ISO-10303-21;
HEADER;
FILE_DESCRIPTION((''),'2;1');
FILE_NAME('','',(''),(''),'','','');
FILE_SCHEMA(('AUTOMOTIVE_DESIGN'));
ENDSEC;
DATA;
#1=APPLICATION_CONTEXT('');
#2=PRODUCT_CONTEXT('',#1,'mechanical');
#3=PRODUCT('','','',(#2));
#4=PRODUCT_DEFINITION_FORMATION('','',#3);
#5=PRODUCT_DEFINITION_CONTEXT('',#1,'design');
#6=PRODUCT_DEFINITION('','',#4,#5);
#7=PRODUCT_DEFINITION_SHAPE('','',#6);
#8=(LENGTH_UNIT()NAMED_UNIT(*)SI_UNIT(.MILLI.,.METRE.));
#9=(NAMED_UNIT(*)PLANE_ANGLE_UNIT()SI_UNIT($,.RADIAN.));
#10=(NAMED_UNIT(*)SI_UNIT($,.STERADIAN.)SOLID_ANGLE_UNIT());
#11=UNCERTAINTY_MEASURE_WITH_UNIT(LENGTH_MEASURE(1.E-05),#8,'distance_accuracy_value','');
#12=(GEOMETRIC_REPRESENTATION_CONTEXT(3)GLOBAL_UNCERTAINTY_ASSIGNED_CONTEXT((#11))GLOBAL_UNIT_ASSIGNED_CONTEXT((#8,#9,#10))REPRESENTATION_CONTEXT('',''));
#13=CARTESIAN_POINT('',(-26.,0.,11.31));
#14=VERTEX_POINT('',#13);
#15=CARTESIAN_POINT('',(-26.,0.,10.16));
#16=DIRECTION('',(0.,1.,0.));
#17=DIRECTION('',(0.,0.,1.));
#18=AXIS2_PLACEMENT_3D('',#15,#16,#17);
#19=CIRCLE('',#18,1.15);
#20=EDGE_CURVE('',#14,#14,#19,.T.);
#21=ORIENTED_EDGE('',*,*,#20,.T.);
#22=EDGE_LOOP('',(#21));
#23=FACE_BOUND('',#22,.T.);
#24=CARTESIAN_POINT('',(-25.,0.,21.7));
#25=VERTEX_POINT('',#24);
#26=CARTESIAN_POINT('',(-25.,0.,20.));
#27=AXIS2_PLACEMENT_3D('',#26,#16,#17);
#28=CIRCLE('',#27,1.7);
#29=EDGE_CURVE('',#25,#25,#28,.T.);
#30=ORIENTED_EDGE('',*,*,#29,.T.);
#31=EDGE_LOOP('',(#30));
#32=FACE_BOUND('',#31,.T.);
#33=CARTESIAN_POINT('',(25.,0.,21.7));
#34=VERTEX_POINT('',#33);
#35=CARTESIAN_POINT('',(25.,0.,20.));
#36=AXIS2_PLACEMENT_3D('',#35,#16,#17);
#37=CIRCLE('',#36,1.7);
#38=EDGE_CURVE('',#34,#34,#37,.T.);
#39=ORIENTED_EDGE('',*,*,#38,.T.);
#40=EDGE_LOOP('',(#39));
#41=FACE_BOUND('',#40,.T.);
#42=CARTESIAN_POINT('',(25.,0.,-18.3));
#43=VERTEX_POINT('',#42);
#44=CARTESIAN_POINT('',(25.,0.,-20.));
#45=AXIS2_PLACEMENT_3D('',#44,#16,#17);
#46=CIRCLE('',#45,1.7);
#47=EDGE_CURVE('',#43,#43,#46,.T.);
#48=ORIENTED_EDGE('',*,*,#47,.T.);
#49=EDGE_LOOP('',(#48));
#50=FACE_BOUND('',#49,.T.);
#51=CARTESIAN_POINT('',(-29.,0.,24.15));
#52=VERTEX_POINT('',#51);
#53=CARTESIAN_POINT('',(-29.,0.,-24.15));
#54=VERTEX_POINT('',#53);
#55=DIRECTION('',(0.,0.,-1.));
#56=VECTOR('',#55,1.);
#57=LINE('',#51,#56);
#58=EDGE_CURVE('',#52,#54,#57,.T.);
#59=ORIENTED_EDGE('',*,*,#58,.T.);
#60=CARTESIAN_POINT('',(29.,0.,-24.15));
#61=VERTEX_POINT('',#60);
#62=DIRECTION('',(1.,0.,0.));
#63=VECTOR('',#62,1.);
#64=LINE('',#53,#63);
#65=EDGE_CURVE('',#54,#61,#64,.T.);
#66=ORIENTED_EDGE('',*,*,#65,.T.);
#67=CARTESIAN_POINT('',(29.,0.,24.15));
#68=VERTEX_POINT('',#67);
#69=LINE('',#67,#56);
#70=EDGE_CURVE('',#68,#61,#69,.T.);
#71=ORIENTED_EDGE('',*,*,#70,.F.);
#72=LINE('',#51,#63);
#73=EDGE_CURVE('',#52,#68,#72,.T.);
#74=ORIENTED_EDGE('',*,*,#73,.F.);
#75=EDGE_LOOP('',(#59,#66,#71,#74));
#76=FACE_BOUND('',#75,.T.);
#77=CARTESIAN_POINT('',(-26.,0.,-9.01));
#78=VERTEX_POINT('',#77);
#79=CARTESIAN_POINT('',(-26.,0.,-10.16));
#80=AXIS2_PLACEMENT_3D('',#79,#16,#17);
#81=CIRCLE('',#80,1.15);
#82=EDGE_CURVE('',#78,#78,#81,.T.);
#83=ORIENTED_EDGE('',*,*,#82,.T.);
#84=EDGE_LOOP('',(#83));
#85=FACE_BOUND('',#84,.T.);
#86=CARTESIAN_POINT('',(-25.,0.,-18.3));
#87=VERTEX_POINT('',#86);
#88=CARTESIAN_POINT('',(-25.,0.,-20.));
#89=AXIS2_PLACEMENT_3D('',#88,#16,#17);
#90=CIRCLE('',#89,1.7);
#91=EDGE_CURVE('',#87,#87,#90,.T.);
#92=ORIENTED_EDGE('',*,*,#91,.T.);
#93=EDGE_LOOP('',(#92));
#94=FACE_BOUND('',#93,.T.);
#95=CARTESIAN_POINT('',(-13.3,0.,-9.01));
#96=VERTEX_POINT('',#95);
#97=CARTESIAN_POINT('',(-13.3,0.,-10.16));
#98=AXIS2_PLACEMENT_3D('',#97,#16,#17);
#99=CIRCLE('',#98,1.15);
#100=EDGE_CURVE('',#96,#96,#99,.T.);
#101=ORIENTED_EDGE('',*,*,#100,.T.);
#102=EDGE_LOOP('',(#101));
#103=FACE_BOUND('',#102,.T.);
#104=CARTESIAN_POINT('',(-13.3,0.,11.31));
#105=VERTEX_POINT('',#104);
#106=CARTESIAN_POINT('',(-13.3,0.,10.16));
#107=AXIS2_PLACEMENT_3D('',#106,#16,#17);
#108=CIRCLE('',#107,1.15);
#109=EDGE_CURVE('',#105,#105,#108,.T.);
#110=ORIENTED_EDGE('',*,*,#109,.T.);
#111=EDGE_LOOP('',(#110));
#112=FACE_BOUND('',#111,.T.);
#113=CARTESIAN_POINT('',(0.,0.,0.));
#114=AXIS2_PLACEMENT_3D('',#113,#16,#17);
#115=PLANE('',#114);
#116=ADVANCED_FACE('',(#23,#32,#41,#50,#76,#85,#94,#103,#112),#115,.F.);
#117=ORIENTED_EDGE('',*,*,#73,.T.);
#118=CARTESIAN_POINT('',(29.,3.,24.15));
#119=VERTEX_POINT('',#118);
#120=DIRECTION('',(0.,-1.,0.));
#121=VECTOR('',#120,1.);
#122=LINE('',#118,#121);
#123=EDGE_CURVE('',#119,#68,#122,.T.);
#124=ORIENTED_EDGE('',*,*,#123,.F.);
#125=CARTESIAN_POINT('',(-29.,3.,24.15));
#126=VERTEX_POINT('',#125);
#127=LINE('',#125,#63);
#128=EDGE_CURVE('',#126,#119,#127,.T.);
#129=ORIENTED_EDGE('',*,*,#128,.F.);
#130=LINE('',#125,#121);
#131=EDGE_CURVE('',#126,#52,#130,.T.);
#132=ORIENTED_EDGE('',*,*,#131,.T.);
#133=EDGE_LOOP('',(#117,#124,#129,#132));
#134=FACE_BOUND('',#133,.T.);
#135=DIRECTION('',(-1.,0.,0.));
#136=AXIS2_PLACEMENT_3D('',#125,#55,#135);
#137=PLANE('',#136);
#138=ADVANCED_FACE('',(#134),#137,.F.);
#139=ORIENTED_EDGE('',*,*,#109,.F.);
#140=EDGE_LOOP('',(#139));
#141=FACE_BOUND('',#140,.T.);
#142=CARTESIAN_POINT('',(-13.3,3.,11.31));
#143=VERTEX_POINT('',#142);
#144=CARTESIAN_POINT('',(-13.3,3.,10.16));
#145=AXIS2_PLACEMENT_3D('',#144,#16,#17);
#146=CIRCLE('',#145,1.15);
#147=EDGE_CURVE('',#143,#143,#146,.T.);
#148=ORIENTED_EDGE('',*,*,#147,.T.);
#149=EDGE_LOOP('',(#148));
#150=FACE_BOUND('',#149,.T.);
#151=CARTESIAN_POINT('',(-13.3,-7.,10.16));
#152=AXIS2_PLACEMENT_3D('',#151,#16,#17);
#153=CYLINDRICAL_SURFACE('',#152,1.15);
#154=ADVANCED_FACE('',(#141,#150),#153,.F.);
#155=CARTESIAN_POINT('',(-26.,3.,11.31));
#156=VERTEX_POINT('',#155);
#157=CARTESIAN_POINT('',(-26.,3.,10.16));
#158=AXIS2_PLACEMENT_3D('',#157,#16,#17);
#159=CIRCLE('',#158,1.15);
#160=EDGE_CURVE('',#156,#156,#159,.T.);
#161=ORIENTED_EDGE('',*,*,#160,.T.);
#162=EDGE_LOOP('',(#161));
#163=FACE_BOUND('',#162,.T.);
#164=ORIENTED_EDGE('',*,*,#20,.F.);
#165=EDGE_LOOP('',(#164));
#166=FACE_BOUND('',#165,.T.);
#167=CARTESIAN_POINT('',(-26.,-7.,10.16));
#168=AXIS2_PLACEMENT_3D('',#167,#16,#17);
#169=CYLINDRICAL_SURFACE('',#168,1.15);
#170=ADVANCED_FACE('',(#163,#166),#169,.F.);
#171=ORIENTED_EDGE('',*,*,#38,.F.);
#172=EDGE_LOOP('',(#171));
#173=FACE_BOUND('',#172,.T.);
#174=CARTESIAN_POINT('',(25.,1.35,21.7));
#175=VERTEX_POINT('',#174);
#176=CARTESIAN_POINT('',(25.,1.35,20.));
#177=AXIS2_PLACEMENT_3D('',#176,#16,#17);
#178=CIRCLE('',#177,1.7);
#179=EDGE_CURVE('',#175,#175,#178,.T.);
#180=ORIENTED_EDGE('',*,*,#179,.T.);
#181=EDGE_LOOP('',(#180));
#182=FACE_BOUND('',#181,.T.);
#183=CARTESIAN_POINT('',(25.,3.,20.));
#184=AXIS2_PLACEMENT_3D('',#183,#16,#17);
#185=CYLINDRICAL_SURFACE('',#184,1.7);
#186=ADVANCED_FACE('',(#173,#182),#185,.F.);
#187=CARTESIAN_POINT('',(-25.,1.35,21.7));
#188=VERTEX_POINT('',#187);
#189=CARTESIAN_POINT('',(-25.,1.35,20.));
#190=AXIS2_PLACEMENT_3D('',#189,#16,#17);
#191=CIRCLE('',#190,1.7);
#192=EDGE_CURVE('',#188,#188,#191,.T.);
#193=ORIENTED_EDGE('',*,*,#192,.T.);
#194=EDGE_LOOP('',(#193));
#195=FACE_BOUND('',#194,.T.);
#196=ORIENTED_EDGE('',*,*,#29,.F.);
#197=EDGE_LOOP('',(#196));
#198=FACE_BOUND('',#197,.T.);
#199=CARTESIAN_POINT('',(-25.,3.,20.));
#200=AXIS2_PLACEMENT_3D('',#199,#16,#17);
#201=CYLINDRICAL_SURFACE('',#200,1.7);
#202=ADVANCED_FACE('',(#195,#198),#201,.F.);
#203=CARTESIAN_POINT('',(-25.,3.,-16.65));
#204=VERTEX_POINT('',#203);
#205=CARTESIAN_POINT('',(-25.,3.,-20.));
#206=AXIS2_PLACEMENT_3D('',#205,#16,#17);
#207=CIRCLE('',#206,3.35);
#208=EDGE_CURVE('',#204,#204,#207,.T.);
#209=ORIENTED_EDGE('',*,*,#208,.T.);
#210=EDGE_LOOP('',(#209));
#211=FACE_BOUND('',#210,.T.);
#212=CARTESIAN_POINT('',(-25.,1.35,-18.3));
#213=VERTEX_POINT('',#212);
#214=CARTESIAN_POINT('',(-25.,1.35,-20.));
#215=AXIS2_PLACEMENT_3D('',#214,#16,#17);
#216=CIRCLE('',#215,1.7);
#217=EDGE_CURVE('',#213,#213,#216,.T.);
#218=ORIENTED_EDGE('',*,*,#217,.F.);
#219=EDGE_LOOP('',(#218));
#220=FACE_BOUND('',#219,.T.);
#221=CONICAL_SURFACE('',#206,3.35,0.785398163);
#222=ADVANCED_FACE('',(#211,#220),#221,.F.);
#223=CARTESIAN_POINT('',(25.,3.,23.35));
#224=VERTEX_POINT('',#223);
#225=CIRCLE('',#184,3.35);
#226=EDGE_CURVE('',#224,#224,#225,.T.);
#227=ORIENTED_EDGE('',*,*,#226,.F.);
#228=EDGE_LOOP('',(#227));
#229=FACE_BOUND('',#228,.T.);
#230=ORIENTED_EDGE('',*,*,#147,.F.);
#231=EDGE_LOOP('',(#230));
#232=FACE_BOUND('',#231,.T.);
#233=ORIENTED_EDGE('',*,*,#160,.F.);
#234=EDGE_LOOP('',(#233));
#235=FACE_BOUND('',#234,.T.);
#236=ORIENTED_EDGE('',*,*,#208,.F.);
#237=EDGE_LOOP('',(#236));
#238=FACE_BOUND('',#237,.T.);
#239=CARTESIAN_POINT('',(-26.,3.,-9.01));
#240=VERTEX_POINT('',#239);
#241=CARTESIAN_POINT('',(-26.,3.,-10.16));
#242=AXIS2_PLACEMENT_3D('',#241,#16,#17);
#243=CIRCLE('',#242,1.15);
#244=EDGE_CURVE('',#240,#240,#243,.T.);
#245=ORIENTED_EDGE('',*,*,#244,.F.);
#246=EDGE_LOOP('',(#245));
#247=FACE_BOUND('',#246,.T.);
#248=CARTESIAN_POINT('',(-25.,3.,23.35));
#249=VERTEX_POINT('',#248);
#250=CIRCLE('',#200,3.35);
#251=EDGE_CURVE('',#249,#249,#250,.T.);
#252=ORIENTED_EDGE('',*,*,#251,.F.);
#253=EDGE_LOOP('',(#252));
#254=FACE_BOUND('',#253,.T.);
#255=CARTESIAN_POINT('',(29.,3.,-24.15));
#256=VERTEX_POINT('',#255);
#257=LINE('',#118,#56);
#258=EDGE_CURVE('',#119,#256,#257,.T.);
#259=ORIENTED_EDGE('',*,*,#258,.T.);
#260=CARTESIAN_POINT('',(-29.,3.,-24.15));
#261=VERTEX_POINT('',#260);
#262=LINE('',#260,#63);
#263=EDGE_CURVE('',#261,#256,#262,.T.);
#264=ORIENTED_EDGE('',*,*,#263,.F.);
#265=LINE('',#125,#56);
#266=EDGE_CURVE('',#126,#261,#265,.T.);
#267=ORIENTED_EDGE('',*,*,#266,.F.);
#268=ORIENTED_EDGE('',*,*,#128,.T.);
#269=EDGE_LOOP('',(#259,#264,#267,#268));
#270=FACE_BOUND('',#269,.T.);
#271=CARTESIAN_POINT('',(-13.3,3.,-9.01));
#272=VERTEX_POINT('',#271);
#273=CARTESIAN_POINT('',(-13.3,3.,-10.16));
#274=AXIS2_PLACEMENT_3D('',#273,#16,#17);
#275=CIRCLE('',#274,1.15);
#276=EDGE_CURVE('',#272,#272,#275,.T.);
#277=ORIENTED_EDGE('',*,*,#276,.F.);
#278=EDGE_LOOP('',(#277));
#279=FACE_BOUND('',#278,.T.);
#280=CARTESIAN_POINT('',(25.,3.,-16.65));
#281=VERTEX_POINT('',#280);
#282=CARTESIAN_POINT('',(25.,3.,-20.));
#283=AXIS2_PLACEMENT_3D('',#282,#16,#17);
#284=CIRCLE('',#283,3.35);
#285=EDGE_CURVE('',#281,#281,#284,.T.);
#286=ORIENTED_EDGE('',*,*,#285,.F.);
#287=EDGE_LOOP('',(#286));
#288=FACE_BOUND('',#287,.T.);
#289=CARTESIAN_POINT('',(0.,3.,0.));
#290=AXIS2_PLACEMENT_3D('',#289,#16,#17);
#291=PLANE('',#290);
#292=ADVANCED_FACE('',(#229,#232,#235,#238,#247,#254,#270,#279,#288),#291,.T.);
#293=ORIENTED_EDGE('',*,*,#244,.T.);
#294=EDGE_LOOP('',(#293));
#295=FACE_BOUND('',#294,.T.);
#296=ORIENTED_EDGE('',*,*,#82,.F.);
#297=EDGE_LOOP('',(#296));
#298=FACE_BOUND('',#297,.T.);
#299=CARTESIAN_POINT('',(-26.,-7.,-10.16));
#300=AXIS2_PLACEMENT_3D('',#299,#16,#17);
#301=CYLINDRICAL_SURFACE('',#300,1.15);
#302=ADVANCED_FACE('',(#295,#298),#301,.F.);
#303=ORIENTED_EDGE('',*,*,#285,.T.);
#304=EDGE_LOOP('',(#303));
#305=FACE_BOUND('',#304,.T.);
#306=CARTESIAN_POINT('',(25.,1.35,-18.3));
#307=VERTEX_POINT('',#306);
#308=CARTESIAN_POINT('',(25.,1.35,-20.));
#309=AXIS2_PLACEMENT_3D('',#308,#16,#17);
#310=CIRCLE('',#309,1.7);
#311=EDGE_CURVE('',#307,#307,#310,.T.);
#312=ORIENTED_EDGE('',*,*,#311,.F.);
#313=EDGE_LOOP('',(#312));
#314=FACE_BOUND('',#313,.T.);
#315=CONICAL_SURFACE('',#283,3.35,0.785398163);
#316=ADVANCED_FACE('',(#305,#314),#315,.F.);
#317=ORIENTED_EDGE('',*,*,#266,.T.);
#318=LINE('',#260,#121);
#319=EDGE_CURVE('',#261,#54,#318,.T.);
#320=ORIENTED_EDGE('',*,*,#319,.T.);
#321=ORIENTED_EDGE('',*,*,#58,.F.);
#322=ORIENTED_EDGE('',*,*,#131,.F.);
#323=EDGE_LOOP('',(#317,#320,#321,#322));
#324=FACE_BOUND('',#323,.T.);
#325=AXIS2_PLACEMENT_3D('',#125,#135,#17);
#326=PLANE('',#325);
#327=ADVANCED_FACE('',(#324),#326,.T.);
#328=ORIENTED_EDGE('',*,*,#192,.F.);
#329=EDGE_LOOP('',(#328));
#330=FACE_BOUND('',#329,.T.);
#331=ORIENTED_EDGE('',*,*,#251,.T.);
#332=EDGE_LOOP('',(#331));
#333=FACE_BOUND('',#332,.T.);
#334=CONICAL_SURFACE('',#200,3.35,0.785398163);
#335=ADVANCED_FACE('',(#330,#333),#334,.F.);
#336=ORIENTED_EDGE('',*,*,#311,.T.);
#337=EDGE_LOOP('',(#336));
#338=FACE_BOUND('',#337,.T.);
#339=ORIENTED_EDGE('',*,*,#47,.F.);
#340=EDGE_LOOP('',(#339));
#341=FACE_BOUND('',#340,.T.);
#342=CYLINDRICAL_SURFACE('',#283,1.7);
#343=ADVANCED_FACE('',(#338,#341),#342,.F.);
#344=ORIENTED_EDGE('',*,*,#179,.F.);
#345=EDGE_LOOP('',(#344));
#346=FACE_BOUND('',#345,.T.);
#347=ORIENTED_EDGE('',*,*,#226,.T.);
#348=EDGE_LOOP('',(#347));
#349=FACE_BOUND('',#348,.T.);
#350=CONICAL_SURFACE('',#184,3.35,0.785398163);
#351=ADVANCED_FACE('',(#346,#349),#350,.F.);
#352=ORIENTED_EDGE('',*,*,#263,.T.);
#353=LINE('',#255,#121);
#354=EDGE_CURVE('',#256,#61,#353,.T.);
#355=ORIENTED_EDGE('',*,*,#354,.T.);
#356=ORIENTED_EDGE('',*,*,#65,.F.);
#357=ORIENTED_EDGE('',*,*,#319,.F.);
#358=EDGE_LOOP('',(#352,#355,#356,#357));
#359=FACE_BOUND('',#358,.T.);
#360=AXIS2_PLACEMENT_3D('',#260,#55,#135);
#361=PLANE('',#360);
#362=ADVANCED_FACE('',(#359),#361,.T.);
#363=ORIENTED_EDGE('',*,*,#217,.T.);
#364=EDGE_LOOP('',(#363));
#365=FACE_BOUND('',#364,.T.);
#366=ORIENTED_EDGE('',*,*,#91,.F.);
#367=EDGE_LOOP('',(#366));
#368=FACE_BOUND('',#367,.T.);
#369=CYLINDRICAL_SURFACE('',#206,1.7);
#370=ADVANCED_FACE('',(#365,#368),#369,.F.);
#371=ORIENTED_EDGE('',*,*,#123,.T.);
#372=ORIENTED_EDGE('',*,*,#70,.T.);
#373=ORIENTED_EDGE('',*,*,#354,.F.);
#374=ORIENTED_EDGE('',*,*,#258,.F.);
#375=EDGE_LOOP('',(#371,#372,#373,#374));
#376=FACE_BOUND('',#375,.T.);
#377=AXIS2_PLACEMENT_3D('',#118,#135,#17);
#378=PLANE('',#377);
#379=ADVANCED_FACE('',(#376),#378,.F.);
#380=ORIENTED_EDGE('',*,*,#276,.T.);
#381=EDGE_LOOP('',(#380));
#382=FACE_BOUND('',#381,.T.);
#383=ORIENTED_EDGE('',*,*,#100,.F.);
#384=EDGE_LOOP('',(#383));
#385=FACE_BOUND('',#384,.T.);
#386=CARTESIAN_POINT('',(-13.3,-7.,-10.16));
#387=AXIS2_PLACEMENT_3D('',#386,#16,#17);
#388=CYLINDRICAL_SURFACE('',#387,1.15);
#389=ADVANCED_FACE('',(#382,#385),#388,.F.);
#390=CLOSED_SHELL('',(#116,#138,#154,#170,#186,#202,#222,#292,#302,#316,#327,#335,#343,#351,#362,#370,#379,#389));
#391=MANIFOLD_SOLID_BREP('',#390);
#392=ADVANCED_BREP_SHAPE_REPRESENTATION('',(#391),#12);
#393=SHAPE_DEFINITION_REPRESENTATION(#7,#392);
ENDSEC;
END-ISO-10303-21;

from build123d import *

# Parameters (mm, degrees)
SKETCH1_W                                      = 58
SKETCH1_H                                      = 48.3
BOSS_EXTRUDE1_DEPTH                            = 3
CSK_FOR_M3_FLAT_HEAD_MACHINE_SCREW1_AT_2_COUNT = 2
CSK_FOR_M3_FLAT_HEAD_MACHINE_SCREW1_AT_2_PITCH = 40
CSK_FOR_M3_FLAT_HEAD_MACHINE_SCREW1_AT_3_COUNT = 2
CSK_FOR_M3_FLAT_HEAD_MACHINE_SCREW1_AT_3_PITCH = 50
CSK_FOR_M3_FLAT_HEAD_MACHINE_SCREW1_AT_4_COUNT = 2
CSK_FOR_M3_FLAT_HEAD_MACHINE_SCREW1_AT_4_PITCH = 64.031242374
SKETCH6_R                                      = 1.15
CUT_EXTRUDE1_DEPTH                             = 10


with BuildPart() as part:
    # Sketch1 → Boss-Extrude1 (new body)
    with BuildSketch(Plane(origin=(0, 0, 0), x_dir=(1, 0, 0), z_dir=(0, 1, 0))):
        Rectangle(SKETCH1_W, SKETCH1_H)
    extrude(amount=BOSS_EXTRUDE1_DEPTH)

    # Sketch3 → CSK for M3 Flat Head Machine Screw1 (revolve, cut)
    with BuildSketch(Plane(origin=(25, 3, 20), x_dir=(0, 0, 1), z_dir=(1, 0, 0))):
        Polygon((0, 0), (0, 3), (1.7, 3), (1.7, 1.65), (3.35, 0), align=None)
    csk_for_m3_flat_head_machine_screw1 = revolve(axis=Axis((25, 9.35, 20), (0, -1, 0)), mode=Mode.SUBTRACT)

    # CSK for M3 Flat Head Machine Screw1 at 2: CSK for M3 Flat Head Machine Screw1 ×2
    with Locations(*[(0, 0, -i * CSK_FOR_M3_FLAT_HEAD_MACHINE_SCREW1_AT_2_PITCH) for i in range(1, CSK_FOR_M3_FLAT_HEAD_MACHINE_SCREW1_AT_2_COUNT)]):
        add(csk_for_m3_flat_head_machine_screw1, mode=Mode.SUBTRACT)

    # CSK for M3 Flat Head Machine Screw1 at 3: CSK for M3 Flat Head Machine Screw1 ×2
    with Locations(*[(-i * CSK_FOR_M3_FLAT_HEAD_MACHINE_SCREW1_AT_3_PITCH, 0, 0) for i in range(1, CSK_FOR_M3_FLAT_HEAD_MACHINE_SCREW1_AT_3_COUNT)]):
        add(csk_for_m3_flat_head_machine_screw1, mode=Mode.SUBTRACT)

    # CSK for M3 Flat Head Machine Screw1 at 4: CSK for M3 Flat Head Machine Screw1 ×2
    with Locations(*[Vector(-0.7808688094430304, 0, -0.6246950475544243) * (i * CSK_FOR_M3_FLAT_HEAD_MACHINE_SCREW1_AT_4_PITCH) for i in range(1, CSK_FOR_M3_FLAT_HEAD_MACHINE_SCREW1_AT_4_COUNT)]):
        add(csk_for_m3_flat_head_machine_screw1, mode=Mode.SUBTRACT)

    # Sketch6 → Cut-Extrude1 (cut)
    with BuildSketch(Plane(origin=(0, 3, 0), x_dir=(1, 0, 0), z_dir=(0, 1, 0))):
        with Locations(Location((-26, 10.16, 0), (0, 0, 270))):
            Circle(SKETCH6_R)
        with Locations(Location((-13.3, 10.16, 0), (0, 0, 270))):
            Circle(SKETCH6_R)
        with Locations(Location((-13.3, -10.16, 0), (0, 0, 270))):
            Circle(SKETCH6_R)
        with Locations(Location((-26, -10.16, 0), (0, 0, 270))):
            Circle(SKETCH6_R)
    extrude(amount=-CUT_EXTRUDE1_DEPTH, mode=Mode.SUBTRACT)


solid = part.part
